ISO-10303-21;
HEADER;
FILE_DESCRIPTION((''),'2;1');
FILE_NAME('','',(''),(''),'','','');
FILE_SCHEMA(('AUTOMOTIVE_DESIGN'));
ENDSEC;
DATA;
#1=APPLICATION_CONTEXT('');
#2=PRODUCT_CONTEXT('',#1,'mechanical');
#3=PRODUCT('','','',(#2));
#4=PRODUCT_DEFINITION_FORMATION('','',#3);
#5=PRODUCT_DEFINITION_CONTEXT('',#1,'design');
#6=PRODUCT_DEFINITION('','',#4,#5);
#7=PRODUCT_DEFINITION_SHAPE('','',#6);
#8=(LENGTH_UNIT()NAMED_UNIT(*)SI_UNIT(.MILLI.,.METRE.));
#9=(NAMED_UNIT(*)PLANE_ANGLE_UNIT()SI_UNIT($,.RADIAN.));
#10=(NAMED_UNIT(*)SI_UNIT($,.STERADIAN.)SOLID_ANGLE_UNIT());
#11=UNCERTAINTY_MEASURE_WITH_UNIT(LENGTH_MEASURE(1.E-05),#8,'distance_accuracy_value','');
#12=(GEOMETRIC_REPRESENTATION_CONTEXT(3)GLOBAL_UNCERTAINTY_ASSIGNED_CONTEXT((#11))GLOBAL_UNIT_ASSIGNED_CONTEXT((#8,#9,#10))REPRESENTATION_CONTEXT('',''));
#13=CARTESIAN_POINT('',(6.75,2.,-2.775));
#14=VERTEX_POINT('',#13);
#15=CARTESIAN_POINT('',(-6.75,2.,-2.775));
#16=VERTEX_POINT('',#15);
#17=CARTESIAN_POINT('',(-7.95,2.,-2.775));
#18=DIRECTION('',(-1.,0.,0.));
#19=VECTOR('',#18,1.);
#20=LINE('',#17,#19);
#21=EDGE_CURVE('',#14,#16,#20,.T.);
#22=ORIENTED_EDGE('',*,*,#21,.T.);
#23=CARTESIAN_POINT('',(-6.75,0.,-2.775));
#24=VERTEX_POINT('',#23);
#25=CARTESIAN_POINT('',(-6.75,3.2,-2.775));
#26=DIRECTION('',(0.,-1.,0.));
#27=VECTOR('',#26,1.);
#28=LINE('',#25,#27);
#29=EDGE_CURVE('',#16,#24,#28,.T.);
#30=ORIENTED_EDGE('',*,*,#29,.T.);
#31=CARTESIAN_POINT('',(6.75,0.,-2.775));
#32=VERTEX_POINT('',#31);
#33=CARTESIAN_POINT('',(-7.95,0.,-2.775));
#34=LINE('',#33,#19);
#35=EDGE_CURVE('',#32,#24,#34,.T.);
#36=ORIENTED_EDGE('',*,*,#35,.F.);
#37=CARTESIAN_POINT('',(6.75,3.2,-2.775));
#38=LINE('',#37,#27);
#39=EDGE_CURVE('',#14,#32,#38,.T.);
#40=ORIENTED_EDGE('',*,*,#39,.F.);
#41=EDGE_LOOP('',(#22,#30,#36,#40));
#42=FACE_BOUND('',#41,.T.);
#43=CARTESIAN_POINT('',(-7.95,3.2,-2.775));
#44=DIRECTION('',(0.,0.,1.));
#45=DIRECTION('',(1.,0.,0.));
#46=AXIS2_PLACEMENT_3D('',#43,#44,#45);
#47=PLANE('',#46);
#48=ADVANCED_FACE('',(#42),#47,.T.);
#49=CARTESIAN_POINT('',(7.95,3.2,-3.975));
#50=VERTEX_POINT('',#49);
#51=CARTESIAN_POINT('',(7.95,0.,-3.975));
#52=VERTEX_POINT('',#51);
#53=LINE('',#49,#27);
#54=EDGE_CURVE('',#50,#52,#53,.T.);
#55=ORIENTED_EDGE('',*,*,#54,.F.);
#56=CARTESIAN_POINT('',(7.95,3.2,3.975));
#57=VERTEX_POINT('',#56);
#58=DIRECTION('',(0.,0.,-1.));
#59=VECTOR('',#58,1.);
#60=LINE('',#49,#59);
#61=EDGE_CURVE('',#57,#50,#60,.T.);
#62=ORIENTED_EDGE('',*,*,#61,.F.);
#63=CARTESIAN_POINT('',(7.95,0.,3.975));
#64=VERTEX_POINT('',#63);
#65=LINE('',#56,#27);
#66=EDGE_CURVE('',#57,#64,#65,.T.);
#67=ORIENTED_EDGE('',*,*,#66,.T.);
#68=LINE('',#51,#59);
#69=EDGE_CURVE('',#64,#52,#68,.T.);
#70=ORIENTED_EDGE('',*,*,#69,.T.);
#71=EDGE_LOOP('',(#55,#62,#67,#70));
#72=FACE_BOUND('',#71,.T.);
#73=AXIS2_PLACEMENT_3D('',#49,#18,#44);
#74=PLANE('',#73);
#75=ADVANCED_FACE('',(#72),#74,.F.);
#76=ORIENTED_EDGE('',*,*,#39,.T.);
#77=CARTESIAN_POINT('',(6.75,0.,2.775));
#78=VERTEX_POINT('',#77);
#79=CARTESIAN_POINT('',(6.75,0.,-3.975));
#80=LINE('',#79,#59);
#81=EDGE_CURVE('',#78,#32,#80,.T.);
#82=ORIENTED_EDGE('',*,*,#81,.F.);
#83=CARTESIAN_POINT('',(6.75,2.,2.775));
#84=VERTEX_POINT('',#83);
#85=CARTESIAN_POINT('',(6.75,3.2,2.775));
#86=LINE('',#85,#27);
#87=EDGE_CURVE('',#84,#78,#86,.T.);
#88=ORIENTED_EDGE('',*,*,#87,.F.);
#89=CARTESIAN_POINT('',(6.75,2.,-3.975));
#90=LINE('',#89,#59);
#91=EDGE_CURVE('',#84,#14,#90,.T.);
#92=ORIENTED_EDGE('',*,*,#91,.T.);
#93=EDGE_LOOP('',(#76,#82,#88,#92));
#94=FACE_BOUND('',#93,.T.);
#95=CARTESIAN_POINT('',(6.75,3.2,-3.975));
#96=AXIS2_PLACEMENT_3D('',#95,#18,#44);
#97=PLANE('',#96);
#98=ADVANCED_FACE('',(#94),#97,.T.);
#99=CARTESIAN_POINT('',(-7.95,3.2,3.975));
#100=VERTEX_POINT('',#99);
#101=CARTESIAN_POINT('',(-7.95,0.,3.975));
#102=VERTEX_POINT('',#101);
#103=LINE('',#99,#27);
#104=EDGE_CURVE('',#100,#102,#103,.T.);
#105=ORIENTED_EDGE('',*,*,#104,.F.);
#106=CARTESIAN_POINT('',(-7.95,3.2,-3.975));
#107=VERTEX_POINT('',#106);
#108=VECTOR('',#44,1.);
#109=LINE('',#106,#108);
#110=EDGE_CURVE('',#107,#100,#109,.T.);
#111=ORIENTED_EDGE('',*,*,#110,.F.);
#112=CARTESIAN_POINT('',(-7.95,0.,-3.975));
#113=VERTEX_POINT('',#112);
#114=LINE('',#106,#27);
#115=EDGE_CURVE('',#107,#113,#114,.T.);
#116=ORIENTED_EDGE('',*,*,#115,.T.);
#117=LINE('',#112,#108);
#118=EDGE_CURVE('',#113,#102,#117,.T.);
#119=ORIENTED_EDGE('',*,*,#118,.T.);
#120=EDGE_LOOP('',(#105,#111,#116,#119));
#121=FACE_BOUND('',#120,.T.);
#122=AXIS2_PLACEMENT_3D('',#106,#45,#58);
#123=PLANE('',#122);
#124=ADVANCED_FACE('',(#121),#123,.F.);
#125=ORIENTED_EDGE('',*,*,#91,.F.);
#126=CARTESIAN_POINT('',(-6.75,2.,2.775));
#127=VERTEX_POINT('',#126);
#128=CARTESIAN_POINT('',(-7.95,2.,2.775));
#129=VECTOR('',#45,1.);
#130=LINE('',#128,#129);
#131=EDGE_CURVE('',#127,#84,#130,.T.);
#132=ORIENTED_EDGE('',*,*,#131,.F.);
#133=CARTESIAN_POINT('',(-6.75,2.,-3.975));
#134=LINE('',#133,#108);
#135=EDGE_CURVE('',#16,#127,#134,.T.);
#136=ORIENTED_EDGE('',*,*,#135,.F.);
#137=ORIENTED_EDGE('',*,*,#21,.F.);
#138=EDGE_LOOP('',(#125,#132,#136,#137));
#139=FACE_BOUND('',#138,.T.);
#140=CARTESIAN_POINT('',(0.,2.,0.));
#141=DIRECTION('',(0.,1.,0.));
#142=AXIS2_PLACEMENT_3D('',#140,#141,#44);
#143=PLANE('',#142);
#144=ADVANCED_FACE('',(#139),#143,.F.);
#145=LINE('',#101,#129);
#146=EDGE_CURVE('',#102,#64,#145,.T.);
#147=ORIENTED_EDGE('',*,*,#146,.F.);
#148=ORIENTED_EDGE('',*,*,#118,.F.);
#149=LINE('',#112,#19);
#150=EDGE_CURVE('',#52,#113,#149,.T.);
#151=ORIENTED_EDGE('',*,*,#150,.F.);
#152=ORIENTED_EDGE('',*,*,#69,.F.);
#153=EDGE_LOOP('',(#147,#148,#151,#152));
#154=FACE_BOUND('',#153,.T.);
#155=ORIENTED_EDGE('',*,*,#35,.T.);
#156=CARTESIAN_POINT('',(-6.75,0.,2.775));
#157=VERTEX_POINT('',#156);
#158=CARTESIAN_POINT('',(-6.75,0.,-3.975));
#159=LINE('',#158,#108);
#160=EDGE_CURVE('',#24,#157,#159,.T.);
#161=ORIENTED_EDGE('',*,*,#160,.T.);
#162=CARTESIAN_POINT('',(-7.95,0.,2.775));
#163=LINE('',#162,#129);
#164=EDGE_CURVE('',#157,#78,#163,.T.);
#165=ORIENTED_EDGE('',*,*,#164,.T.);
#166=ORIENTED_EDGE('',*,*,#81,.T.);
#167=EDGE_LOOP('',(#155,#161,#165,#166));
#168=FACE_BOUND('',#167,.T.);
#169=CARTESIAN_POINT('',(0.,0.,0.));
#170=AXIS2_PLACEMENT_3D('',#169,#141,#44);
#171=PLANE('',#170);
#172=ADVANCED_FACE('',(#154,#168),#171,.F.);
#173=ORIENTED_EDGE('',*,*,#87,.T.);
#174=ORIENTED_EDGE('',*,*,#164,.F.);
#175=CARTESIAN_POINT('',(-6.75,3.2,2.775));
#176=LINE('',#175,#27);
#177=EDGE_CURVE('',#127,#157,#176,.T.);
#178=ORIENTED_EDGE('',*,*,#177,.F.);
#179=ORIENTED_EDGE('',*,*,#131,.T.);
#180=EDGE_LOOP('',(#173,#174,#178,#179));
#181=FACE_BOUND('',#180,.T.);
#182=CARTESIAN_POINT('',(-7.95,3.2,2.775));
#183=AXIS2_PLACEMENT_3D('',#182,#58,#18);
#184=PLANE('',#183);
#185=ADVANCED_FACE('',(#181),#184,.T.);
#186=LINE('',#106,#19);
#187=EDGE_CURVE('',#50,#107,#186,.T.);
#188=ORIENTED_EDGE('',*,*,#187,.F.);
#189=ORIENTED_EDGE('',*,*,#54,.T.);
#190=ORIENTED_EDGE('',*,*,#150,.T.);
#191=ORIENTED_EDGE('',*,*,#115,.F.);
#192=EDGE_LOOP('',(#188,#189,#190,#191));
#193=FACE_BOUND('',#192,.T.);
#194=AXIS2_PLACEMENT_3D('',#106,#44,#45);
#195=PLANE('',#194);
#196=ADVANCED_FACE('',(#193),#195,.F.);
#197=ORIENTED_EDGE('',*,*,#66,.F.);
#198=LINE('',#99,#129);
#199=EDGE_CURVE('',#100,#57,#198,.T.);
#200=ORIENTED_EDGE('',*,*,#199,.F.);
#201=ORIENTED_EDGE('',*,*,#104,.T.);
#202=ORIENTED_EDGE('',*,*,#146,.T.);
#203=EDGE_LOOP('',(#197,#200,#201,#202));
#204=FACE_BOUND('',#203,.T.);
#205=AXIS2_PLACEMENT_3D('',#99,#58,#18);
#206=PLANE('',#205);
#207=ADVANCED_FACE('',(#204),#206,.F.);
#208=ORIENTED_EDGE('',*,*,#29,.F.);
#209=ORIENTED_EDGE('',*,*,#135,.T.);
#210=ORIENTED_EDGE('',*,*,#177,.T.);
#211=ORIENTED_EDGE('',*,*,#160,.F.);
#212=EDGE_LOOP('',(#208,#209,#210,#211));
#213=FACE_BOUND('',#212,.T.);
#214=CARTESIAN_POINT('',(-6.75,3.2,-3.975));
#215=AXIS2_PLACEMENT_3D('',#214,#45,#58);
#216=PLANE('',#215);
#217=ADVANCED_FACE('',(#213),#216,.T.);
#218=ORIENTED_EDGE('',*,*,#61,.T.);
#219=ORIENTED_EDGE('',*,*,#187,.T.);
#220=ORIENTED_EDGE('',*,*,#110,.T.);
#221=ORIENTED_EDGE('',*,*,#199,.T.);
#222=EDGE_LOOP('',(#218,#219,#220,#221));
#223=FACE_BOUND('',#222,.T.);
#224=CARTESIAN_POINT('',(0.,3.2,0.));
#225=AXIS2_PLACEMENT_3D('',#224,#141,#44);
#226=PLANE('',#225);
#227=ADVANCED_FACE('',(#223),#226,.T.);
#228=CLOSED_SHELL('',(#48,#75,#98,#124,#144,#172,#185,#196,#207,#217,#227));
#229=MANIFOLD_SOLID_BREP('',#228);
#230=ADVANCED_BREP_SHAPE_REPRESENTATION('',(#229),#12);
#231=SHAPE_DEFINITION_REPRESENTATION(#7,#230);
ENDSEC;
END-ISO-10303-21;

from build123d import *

# Parameters (mm, degrees)
SKETCH1_W           = 15.9
SKETCH1_H           = 7.95
BOSS_EXTRUDE1_DEPTH = 3.2
SHELL1_T            = -1.2


with BuildPart() as part:
    # Sketch1 → Boss-Extrude1 (new body)
    with BuildSketch(Plane(origin=(0, 0, 0), x_dir=(1, 0, 0), z_dir=(0, 1, 0))):
        Rectangle(SKETCH1_W, SKETCH1_H)
    extrude(amount=BOSS_EXTRUDE1_DEPTH)

    # Shell1
    shell1_openings = [part.faces().sort_by_distance(p)[0] for p in [
        (0, 0, 0),
    ]]
    offset(amount=SHELL1_T, openings=shell1_openings, kind=Kind.INTERSECTION)


solid = part.part
